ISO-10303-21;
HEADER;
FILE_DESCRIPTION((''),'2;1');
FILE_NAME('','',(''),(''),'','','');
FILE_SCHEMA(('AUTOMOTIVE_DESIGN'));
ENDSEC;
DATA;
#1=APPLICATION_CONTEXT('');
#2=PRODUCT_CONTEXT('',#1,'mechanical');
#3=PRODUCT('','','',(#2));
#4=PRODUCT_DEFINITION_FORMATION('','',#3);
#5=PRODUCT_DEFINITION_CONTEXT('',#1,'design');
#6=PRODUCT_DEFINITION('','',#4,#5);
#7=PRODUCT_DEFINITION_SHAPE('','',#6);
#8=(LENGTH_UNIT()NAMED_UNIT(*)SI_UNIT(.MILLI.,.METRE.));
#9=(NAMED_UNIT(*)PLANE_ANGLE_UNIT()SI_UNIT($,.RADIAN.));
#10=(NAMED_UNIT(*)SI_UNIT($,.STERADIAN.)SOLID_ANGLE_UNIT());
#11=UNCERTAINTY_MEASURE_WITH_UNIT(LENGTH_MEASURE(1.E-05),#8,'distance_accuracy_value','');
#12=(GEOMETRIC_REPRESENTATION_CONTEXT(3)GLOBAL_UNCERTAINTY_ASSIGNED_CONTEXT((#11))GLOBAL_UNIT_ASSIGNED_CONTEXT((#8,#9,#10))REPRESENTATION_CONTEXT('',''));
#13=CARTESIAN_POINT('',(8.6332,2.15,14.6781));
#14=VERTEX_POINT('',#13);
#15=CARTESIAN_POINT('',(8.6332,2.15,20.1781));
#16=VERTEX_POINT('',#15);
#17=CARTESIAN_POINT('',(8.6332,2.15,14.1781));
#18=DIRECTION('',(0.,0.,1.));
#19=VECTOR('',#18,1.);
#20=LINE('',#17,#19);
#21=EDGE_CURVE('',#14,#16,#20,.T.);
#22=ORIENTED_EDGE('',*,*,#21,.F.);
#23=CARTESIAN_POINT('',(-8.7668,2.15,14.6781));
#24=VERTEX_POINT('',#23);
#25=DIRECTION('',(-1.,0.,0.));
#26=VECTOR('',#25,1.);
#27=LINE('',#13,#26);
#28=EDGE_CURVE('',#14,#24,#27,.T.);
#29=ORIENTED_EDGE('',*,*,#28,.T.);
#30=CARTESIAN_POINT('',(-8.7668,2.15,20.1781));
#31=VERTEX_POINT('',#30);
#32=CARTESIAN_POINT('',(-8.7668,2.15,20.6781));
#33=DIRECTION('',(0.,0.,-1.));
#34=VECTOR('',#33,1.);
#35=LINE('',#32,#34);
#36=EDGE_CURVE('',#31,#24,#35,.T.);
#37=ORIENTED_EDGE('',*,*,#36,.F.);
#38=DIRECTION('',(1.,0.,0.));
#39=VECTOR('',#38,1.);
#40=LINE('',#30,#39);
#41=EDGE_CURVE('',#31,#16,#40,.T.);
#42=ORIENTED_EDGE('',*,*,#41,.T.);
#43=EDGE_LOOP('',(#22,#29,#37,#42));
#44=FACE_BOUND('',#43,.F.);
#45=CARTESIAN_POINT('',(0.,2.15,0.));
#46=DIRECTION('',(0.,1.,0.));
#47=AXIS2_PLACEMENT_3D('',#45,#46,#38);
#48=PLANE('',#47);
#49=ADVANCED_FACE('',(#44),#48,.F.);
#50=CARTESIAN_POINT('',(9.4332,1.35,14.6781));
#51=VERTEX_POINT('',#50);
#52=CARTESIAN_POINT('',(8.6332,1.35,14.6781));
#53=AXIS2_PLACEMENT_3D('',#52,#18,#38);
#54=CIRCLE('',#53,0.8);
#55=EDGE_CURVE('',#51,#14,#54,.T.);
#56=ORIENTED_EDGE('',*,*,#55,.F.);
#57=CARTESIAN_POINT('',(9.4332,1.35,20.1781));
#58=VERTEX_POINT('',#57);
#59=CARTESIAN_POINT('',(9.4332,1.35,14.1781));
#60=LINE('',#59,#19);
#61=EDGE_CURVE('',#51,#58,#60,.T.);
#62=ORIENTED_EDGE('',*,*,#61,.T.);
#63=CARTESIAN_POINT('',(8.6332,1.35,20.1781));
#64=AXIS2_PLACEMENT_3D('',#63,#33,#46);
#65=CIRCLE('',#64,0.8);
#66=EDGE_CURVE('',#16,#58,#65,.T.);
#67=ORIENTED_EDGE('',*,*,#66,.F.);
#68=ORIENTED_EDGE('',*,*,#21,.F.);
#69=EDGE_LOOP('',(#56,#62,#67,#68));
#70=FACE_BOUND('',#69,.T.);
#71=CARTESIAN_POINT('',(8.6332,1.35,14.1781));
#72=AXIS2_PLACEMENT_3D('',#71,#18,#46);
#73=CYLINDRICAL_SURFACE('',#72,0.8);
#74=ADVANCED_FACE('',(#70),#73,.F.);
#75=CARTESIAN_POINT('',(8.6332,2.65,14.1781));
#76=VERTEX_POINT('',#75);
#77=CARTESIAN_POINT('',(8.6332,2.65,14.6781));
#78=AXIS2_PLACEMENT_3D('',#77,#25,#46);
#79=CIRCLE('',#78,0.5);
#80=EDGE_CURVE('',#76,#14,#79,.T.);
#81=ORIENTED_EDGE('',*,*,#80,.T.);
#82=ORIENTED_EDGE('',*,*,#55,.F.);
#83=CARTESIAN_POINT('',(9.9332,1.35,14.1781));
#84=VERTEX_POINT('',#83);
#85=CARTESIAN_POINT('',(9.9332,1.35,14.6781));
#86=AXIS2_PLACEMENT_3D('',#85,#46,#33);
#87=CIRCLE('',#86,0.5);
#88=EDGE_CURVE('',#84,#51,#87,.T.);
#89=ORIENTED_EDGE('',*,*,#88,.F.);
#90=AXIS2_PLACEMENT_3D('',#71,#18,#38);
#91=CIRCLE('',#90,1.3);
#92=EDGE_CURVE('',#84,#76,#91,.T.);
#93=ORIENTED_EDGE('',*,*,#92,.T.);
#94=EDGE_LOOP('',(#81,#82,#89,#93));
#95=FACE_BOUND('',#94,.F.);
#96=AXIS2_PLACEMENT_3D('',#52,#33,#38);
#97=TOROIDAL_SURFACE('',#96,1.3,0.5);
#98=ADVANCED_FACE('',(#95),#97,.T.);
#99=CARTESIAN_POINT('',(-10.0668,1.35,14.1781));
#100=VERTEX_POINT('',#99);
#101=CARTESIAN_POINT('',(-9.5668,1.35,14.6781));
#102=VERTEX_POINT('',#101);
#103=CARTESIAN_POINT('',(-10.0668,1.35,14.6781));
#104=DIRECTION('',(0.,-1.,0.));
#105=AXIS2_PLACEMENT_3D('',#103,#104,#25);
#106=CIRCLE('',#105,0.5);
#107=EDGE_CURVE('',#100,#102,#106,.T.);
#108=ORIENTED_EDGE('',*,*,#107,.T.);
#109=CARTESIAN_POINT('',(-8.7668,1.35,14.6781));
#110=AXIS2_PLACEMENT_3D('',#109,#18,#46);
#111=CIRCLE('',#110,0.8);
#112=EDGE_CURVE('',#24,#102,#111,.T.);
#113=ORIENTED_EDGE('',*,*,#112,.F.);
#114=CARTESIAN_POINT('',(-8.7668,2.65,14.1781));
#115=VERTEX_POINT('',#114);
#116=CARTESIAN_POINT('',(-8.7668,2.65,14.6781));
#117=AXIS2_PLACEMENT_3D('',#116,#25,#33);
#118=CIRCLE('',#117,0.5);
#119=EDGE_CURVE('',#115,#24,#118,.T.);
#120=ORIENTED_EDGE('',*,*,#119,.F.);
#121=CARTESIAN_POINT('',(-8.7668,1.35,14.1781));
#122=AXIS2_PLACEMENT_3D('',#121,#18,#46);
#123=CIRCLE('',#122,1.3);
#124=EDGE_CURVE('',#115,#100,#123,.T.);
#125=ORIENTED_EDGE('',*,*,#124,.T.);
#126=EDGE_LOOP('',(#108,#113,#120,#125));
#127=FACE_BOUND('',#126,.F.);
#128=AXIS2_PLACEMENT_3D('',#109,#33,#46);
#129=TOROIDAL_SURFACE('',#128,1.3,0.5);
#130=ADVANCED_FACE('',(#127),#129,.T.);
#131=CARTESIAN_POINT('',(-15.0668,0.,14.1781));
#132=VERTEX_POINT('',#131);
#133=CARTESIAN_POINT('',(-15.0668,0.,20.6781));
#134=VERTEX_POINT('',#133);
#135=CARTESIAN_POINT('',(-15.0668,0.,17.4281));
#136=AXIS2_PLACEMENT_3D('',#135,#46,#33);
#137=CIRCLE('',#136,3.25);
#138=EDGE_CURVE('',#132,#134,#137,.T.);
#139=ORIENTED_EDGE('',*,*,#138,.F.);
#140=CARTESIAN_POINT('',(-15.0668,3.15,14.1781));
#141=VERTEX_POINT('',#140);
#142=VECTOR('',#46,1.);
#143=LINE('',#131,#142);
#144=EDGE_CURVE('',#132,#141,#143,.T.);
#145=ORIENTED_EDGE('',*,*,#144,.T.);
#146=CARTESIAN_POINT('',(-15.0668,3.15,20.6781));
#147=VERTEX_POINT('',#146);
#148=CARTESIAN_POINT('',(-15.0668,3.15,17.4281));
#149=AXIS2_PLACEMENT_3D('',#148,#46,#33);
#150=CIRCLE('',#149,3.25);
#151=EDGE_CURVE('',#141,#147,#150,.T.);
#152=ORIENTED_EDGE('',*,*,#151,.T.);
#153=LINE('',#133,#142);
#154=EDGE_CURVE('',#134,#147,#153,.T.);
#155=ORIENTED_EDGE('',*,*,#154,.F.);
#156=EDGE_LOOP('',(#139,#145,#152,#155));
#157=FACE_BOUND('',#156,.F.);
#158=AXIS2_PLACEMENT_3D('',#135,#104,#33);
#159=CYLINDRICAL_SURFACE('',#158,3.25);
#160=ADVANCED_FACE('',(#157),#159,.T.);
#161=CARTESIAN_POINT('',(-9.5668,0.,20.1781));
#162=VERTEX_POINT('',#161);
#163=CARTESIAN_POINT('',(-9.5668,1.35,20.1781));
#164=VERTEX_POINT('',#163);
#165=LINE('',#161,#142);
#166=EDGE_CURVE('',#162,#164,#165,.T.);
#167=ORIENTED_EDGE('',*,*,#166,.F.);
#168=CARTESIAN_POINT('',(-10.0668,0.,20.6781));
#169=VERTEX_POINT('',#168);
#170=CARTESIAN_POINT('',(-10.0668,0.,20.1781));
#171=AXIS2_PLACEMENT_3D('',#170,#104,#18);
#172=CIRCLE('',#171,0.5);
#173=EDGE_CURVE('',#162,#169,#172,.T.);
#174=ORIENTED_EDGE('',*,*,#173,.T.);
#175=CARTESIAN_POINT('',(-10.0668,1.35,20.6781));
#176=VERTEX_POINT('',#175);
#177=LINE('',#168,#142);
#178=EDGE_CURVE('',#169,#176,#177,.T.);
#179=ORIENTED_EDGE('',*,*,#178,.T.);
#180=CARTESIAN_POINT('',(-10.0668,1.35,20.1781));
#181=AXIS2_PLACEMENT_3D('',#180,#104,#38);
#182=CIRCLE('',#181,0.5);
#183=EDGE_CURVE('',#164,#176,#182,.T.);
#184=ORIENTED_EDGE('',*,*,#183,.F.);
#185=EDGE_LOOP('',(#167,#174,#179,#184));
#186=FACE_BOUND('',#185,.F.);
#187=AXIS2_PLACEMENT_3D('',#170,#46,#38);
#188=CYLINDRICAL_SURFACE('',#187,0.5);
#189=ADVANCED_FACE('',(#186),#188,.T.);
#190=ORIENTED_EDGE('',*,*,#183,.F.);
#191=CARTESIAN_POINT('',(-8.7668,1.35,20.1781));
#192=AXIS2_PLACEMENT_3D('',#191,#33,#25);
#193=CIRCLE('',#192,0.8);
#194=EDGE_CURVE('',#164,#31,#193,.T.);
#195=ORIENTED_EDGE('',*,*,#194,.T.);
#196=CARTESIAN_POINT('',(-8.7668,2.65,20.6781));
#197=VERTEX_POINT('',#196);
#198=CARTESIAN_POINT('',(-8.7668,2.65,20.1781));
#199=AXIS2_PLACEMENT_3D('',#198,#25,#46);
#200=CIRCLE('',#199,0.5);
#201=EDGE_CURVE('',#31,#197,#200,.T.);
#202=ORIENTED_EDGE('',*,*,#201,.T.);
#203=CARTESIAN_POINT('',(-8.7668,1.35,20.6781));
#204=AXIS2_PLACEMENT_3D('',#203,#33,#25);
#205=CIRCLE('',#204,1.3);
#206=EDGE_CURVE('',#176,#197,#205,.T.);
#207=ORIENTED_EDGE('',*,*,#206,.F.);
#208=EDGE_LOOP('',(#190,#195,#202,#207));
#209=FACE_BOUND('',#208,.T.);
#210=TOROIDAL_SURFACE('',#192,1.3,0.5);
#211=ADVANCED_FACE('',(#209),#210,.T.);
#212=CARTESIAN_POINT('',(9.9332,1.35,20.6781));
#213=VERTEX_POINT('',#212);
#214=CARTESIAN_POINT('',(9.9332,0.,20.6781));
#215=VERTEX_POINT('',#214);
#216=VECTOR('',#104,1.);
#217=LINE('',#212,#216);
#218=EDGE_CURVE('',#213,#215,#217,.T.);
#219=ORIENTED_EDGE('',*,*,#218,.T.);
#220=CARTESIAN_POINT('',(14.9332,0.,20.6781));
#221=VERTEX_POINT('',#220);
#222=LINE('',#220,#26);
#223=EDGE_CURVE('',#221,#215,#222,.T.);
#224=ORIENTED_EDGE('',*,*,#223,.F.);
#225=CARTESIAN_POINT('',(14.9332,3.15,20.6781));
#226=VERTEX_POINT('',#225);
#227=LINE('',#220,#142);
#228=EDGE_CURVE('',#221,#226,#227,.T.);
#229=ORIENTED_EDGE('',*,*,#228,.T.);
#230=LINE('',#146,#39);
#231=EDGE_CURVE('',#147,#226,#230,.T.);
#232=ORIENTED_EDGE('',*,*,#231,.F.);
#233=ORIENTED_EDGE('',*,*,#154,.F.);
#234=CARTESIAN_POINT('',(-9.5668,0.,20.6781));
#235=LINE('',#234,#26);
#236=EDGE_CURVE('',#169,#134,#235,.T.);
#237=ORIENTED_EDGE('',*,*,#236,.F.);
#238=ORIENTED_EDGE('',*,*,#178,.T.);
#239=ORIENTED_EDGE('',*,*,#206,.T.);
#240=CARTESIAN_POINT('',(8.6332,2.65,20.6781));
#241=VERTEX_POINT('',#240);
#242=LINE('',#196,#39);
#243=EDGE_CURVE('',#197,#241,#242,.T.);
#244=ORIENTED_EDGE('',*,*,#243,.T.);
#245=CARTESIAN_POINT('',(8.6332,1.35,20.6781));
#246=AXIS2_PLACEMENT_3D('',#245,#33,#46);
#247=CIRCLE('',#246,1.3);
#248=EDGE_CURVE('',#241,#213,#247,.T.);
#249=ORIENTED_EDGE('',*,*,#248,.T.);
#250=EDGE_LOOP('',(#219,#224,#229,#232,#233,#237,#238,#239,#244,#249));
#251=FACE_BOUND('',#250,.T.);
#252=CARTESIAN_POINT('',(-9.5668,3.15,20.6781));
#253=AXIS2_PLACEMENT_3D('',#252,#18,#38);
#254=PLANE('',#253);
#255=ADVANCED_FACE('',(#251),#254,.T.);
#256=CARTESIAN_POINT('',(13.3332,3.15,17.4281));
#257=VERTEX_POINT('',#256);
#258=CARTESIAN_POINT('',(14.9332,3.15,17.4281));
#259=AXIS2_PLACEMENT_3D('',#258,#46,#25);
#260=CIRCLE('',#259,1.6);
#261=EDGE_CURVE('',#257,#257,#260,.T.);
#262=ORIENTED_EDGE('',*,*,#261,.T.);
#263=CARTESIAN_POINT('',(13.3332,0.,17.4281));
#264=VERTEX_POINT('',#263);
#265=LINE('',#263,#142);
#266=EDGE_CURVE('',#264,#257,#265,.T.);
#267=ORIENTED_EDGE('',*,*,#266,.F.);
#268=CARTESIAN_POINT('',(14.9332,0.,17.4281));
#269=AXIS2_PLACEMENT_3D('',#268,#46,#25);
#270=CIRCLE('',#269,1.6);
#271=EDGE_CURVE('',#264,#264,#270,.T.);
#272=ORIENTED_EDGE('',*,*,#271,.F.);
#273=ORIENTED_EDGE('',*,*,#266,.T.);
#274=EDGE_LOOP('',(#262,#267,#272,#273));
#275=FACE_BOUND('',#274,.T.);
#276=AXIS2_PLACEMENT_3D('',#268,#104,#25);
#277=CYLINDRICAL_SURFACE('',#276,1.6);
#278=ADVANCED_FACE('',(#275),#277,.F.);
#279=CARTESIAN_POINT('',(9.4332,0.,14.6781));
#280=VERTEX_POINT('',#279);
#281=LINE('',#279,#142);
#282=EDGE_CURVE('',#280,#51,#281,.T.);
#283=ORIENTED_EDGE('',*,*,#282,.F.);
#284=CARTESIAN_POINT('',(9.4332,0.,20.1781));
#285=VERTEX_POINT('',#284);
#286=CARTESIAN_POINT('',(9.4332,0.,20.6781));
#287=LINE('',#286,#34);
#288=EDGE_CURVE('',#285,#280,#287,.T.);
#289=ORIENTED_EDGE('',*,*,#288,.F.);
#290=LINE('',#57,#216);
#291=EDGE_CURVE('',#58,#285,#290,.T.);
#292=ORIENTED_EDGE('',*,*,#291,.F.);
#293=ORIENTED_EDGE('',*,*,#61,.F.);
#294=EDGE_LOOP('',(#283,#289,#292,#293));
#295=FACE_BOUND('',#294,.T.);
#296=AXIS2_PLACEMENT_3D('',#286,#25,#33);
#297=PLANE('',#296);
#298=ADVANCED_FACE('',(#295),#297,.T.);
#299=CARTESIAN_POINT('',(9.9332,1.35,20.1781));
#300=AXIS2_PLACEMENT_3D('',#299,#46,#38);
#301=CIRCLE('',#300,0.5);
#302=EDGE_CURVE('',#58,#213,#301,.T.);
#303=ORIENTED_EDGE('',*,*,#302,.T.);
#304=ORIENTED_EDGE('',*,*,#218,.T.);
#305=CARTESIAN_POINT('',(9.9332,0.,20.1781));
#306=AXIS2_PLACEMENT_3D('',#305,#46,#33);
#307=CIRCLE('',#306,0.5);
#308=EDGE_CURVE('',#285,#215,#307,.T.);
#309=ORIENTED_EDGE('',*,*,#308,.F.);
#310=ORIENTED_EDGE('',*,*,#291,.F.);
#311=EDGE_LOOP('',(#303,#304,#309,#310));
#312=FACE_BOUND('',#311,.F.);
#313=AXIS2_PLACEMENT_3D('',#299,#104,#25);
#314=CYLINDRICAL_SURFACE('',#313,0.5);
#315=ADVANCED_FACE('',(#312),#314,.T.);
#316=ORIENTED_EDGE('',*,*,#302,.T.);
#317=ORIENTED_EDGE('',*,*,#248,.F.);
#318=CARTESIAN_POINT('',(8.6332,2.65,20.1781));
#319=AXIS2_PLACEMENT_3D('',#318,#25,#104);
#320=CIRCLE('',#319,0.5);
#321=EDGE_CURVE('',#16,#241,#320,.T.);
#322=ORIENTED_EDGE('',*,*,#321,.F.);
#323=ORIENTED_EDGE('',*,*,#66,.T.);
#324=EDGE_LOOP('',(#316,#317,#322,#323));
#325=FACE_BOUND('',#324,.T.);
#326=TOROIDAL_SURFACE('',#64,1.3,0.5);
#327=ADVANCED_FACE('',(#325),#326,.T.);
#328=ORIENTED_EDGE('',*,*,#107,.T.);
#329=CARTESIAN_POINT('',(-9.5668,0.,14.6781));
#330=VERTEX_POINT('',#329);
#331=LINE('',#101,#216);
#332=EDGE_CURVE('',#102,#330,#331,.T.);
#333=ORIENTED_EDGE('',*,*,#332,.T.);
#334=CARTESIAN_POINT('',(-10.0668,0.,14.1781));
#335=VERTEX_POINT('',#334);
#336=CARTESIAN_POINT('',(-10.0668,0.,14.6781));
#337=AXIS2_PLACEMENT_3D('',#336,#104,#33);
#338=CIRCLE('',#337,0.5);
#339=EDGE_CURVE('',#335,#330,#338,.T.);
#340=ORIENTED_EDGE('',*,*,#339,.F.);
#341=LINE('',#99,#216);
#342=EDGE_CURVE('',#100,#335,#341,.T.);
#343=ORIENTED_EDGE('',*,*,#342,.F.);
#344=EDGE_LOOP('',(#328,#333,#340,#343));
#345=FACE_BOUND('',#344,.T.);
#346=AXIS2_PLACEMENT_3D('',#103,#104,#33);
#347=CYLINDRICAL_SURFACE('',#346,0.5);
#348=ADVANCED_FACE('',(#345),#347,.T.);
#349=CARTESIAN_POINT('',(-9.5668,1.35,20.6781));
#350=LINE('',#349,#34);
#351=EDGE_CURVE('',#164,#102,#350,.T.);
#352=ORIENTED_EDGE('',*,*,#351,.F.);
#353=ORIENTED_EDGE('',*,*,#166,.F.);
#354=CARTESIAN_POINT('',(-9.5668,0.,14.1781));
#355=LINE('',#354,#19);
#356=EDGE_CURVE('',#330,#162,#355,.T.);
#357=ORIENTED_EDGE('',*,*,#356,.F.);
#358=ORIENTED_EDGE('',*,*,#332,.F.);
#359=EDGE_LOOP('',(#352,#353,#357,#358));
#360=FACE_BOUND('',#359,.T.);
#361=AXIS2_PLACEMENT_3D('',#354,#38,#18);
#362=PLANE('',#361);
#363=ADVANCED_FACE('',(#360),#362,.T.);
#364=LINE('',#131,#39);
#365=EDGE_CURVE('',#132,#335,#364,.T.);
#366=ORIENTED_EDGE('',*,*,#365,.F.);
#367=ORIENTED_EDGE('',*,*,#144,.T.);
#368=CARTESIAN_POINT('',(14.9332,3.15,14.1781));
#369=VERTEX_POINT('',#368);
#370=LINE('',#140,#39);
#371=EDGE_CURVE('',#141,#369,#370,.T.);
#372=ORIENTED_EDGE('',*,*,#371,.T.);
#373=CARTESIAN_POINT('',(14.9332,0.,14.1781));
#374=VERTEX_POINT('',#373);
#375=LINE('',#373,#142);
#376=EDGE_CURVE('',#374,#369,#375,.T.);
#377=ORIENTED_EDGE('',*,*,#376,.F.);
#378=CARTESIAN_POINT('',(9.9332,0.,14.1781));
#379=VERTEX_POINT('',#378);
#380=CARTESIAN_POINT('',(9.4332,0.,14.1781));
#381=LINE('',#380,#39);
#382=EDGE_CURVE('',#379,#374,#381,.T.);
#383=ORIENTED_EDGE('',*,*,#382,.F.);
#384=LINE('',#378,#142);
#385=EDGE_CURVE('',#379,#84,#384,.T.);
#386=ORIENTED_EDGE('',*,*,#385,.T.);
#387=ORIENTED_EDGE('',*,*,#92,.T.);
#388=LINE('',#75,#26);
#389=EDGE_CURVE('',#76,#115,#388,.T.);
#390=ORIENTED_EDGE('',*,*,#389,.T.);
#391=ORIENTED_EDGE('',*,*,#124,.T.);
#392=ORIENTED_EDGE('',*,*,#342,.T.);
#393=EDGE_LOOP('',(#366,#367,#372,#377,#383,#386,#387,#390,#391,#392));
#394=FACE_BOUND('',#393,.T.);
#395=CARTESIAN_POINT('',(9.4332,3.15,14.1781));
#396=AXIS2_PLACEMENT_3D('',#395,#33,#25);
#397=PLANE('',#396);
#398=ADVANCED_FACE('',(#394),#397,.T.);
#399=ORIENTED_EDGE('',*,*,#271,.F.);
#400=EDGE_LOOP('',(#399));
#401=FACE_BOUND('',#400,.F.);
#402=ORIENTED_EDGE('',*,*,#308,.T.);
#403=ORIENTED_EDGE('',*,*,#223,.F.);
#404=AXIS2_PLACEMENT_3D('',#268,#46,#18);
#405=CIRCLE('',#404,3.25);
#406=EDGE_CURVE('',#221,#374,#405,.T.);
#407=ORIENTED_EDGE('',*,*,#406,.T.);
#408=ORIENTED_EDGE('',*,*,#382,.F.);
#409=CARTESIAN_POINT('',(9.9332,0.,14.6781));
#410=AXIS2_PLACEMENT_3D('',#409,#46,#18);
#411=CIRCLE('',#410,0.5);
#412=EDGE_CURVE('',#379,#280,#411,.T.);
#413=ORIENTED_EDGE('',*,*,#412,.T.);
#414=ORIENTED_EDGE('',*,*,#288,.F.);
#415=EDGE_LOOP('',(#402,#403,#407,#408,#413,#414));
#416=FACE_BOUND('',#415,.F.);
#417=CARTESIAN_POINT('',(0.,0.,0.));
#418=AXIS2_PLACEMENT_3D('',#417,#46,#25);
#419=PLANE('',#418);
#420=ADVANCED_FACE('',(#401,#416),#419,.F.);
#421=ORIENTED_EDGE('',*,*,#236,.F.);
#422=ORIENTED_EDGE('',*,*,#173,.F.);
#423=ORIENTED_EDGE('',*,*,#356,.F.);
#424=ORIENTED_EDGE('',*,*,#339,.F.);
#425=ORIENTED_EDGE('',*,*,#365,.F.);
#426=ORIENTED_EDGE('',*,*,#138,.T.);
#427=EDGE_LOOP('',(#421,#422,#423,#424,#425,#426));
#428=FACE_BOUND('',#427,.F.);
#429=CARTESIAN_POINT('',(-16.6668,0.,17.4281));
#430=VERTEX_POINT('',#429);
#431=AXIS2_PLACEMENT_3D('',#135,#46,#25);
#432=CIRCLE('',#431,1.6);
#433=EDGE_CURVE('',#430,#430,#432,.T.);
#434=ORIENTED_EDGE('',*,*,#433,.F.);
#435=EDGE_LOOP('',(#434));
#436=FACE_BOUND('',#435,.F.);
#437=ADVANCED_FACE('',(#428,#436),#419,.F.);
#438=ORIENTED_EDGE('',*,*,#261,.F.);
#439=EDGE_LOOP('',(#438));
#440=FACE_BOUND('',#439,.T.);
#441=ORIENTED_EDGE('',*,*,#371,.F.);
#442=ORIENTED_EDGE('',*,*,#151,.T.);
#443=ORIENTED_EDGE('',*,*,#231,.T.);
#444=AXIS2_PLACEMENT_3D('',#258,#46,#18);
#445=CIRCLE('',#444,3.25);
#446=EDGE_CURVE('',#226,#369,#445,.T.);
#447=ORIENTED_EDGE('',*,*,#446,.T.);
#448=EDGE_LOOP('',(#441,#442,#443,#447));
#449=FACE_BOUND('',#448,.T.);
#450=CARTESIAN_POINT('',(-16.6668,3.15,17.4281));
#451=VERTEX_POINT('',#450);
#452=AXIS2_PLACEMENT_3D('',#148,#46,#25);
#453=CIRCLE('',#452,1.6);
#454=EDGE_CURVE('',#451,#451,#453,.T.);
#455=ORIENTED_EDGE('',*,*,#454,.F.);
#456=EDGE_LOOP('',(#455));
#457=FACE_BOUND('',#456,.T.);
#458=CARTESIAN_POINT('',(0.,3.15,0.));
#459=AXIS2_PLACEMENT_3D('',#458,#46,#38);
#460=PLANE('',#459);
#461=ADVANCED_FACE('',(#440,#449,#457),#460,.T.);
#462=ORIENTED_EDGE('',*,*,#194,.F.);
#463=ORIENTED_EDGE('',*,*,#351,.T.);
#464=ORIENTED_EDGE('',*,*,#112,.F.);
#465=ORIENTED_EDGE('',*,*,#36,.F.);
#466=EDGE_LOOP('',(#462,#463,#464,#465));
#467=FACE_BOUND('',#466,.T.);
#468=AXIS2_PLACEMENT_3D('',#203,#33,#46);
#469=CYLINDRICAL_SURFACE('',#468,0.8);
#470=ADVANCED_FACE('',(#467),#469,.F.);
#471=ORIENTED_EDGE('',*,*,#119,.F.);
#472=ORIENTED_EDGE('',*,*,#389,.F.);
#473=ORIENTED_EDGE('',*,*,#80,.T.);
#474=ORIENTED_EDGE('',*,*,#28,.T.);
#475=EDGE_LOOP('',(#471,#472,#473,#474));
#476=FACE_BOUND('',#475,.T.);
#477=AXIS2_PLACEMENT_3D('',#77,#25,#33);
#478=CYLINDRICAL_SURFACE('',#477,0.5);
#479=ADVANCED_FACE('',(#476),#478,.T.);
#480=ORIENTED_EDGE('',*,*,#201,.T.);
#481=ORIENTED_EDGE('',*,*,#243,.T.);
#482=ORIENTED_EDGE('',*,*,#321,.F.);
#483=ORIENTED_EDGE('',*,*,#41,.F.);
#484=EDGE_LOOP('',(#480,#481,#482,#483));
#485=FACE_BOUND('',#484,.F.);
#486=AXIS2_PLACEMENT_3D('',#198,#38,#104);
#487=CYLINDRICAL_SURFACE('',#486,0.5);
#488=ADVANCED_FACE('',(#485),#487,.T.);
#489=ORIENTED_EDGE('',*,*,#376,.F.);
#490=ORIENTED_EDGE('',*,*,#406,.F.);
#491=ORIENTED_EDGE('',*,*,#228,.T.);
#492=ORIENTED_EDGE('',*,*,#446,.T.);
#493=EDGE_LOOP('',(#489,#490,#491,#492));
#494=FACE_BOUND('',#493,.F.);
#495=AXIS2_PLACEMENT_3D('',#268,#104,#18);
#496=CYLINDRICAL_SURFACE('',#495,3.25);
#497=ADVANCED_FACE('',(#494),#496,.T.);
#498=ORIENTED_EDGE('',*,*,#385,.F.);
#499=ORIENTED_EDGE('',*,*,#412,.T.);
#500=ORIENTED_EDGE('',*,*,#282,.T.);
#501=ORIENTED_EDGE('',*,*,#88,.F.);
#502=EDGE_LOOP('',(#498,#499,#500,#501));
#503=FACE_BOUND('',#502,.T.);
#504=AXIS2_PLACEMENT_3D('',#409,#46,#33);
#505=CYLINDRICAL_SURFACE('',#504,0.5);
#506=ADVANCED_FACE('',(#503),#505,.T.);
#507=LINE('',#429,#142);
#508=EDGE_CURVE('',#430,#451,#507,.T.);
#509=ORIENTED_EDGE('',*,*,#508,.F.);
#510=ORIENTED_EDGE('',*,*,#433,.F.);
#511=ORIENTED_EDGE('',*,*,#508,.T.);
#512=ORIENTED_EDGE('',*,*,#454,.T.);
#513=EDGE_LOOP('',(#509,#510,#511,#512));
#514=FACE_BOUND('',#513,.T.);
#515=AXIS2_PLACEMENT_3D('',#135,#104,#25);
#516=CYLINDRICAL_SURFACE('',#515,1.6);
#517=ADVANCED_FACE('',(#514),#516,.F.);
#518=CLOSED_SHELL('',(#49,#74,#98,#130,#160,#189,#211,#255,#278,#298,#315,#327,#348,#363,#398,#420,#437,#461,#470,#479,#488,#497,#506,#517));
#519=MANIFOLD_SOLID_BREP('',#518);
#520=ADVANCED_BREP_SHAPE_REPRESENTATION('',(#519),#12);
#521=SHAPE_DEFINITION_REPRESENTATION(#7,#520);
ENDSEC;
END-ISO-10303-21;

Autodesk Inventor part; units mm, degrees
ref_plane "YZ Plane" through (0, 0, 0) normal (1, 0, 0) x (0, 1, 0)
ref_plane "XZ Plane" through (0, 0, 0) normal (0, 1, 0) x (-1, 0, 0)
ref_plane "XY Plane" through (0, 0, 0) normal (0, 0, 1) x (1, 0, 0)
sketch "Szkic1" plane through (0, 0, 0) normal (0, 1, 0) x (-1, 0, 0)
  line L0 (9.5668, 14.1781) -> (9.5668, 20.6781)
  line L1 (15.0668, 14.1781) -> (9.5668, 14.1781)
  arc A0 (15.0668, 14.1781) -> (15.0668, 20.6781) centre (15.0668, 17.4281) ccw
  line L2 (9.5668, 20.6781) -> (15.0668, 20.6781)
  circle A1 centre (15.0668, 17.4281) radius 1.6
  line L3 (-14.9332, 20.6781) -> (-9.4332, 20.6781)
  arc A2 (-14.9332, 20.6781) -> (-14.9332, 14.1781) centre (-14.9332, 17.4281) ccw
  line L4 (-9.4332, 14.1781) -> (-14.9332, 14.1781)
  line L5 (-9.4332, 20.6781) -> (-9.4332, 14.1781)
  circle A3 centre (-14.9332, 17.4281) radius 1.6
  point P0 (0, 0)
extrude "Wyciągnięcie proste1" add sketch "Szkic1" along normal blind 3.15
sketch "Szkic2" plane through (0, 3.15, 0) normal (0, 1, 0) x (1, 0, 0)
  line L0 (-9.5668, -20.6781) -> (-9.5668, -14.1781) projected
  line L1 (9.4332, -14.1781) -> (9.4332, -20.6781) projected
  line L2 (-15.0668, -20.6781) -> (-9.5668, -20.6781) projected
  line L3 (9.4332, -14.1781) -> (9.4332, -20.6781) projected
  line L4 (-9.5668, -20.6781) -> (9.4332, -20.6781)
  line L5 (-9.5668, -14.1781) -> (-15.0668, -14.1781) projected
  line L6 (9.4332, -14.1781) -> (-9.5668, -14.1781)
  point P0 (0, 0)
extrude "Wyciągnięcie proste2" add sketch "Szkic2" against normal blind 1
fillet "Zaokrąglenie1" radius 0.8 2 edges at (9.4332, 2.15, 17.4281) (-9.5668, 2.15, 17.4281)
fillet "Zaokrąglenie2" radius 0.5 6 edges at (9.4332, 0.675, 14.1781) (-9.5668, 0.675, 14.1781) (-0.0668, 2.15, 14.1781) (-9.5668, 0.675, 20.6781) (9.4332, 0.675, 20.6781) (-0.0668, 2.15, 20.6781)
properties part number "dol_trzymacz"
